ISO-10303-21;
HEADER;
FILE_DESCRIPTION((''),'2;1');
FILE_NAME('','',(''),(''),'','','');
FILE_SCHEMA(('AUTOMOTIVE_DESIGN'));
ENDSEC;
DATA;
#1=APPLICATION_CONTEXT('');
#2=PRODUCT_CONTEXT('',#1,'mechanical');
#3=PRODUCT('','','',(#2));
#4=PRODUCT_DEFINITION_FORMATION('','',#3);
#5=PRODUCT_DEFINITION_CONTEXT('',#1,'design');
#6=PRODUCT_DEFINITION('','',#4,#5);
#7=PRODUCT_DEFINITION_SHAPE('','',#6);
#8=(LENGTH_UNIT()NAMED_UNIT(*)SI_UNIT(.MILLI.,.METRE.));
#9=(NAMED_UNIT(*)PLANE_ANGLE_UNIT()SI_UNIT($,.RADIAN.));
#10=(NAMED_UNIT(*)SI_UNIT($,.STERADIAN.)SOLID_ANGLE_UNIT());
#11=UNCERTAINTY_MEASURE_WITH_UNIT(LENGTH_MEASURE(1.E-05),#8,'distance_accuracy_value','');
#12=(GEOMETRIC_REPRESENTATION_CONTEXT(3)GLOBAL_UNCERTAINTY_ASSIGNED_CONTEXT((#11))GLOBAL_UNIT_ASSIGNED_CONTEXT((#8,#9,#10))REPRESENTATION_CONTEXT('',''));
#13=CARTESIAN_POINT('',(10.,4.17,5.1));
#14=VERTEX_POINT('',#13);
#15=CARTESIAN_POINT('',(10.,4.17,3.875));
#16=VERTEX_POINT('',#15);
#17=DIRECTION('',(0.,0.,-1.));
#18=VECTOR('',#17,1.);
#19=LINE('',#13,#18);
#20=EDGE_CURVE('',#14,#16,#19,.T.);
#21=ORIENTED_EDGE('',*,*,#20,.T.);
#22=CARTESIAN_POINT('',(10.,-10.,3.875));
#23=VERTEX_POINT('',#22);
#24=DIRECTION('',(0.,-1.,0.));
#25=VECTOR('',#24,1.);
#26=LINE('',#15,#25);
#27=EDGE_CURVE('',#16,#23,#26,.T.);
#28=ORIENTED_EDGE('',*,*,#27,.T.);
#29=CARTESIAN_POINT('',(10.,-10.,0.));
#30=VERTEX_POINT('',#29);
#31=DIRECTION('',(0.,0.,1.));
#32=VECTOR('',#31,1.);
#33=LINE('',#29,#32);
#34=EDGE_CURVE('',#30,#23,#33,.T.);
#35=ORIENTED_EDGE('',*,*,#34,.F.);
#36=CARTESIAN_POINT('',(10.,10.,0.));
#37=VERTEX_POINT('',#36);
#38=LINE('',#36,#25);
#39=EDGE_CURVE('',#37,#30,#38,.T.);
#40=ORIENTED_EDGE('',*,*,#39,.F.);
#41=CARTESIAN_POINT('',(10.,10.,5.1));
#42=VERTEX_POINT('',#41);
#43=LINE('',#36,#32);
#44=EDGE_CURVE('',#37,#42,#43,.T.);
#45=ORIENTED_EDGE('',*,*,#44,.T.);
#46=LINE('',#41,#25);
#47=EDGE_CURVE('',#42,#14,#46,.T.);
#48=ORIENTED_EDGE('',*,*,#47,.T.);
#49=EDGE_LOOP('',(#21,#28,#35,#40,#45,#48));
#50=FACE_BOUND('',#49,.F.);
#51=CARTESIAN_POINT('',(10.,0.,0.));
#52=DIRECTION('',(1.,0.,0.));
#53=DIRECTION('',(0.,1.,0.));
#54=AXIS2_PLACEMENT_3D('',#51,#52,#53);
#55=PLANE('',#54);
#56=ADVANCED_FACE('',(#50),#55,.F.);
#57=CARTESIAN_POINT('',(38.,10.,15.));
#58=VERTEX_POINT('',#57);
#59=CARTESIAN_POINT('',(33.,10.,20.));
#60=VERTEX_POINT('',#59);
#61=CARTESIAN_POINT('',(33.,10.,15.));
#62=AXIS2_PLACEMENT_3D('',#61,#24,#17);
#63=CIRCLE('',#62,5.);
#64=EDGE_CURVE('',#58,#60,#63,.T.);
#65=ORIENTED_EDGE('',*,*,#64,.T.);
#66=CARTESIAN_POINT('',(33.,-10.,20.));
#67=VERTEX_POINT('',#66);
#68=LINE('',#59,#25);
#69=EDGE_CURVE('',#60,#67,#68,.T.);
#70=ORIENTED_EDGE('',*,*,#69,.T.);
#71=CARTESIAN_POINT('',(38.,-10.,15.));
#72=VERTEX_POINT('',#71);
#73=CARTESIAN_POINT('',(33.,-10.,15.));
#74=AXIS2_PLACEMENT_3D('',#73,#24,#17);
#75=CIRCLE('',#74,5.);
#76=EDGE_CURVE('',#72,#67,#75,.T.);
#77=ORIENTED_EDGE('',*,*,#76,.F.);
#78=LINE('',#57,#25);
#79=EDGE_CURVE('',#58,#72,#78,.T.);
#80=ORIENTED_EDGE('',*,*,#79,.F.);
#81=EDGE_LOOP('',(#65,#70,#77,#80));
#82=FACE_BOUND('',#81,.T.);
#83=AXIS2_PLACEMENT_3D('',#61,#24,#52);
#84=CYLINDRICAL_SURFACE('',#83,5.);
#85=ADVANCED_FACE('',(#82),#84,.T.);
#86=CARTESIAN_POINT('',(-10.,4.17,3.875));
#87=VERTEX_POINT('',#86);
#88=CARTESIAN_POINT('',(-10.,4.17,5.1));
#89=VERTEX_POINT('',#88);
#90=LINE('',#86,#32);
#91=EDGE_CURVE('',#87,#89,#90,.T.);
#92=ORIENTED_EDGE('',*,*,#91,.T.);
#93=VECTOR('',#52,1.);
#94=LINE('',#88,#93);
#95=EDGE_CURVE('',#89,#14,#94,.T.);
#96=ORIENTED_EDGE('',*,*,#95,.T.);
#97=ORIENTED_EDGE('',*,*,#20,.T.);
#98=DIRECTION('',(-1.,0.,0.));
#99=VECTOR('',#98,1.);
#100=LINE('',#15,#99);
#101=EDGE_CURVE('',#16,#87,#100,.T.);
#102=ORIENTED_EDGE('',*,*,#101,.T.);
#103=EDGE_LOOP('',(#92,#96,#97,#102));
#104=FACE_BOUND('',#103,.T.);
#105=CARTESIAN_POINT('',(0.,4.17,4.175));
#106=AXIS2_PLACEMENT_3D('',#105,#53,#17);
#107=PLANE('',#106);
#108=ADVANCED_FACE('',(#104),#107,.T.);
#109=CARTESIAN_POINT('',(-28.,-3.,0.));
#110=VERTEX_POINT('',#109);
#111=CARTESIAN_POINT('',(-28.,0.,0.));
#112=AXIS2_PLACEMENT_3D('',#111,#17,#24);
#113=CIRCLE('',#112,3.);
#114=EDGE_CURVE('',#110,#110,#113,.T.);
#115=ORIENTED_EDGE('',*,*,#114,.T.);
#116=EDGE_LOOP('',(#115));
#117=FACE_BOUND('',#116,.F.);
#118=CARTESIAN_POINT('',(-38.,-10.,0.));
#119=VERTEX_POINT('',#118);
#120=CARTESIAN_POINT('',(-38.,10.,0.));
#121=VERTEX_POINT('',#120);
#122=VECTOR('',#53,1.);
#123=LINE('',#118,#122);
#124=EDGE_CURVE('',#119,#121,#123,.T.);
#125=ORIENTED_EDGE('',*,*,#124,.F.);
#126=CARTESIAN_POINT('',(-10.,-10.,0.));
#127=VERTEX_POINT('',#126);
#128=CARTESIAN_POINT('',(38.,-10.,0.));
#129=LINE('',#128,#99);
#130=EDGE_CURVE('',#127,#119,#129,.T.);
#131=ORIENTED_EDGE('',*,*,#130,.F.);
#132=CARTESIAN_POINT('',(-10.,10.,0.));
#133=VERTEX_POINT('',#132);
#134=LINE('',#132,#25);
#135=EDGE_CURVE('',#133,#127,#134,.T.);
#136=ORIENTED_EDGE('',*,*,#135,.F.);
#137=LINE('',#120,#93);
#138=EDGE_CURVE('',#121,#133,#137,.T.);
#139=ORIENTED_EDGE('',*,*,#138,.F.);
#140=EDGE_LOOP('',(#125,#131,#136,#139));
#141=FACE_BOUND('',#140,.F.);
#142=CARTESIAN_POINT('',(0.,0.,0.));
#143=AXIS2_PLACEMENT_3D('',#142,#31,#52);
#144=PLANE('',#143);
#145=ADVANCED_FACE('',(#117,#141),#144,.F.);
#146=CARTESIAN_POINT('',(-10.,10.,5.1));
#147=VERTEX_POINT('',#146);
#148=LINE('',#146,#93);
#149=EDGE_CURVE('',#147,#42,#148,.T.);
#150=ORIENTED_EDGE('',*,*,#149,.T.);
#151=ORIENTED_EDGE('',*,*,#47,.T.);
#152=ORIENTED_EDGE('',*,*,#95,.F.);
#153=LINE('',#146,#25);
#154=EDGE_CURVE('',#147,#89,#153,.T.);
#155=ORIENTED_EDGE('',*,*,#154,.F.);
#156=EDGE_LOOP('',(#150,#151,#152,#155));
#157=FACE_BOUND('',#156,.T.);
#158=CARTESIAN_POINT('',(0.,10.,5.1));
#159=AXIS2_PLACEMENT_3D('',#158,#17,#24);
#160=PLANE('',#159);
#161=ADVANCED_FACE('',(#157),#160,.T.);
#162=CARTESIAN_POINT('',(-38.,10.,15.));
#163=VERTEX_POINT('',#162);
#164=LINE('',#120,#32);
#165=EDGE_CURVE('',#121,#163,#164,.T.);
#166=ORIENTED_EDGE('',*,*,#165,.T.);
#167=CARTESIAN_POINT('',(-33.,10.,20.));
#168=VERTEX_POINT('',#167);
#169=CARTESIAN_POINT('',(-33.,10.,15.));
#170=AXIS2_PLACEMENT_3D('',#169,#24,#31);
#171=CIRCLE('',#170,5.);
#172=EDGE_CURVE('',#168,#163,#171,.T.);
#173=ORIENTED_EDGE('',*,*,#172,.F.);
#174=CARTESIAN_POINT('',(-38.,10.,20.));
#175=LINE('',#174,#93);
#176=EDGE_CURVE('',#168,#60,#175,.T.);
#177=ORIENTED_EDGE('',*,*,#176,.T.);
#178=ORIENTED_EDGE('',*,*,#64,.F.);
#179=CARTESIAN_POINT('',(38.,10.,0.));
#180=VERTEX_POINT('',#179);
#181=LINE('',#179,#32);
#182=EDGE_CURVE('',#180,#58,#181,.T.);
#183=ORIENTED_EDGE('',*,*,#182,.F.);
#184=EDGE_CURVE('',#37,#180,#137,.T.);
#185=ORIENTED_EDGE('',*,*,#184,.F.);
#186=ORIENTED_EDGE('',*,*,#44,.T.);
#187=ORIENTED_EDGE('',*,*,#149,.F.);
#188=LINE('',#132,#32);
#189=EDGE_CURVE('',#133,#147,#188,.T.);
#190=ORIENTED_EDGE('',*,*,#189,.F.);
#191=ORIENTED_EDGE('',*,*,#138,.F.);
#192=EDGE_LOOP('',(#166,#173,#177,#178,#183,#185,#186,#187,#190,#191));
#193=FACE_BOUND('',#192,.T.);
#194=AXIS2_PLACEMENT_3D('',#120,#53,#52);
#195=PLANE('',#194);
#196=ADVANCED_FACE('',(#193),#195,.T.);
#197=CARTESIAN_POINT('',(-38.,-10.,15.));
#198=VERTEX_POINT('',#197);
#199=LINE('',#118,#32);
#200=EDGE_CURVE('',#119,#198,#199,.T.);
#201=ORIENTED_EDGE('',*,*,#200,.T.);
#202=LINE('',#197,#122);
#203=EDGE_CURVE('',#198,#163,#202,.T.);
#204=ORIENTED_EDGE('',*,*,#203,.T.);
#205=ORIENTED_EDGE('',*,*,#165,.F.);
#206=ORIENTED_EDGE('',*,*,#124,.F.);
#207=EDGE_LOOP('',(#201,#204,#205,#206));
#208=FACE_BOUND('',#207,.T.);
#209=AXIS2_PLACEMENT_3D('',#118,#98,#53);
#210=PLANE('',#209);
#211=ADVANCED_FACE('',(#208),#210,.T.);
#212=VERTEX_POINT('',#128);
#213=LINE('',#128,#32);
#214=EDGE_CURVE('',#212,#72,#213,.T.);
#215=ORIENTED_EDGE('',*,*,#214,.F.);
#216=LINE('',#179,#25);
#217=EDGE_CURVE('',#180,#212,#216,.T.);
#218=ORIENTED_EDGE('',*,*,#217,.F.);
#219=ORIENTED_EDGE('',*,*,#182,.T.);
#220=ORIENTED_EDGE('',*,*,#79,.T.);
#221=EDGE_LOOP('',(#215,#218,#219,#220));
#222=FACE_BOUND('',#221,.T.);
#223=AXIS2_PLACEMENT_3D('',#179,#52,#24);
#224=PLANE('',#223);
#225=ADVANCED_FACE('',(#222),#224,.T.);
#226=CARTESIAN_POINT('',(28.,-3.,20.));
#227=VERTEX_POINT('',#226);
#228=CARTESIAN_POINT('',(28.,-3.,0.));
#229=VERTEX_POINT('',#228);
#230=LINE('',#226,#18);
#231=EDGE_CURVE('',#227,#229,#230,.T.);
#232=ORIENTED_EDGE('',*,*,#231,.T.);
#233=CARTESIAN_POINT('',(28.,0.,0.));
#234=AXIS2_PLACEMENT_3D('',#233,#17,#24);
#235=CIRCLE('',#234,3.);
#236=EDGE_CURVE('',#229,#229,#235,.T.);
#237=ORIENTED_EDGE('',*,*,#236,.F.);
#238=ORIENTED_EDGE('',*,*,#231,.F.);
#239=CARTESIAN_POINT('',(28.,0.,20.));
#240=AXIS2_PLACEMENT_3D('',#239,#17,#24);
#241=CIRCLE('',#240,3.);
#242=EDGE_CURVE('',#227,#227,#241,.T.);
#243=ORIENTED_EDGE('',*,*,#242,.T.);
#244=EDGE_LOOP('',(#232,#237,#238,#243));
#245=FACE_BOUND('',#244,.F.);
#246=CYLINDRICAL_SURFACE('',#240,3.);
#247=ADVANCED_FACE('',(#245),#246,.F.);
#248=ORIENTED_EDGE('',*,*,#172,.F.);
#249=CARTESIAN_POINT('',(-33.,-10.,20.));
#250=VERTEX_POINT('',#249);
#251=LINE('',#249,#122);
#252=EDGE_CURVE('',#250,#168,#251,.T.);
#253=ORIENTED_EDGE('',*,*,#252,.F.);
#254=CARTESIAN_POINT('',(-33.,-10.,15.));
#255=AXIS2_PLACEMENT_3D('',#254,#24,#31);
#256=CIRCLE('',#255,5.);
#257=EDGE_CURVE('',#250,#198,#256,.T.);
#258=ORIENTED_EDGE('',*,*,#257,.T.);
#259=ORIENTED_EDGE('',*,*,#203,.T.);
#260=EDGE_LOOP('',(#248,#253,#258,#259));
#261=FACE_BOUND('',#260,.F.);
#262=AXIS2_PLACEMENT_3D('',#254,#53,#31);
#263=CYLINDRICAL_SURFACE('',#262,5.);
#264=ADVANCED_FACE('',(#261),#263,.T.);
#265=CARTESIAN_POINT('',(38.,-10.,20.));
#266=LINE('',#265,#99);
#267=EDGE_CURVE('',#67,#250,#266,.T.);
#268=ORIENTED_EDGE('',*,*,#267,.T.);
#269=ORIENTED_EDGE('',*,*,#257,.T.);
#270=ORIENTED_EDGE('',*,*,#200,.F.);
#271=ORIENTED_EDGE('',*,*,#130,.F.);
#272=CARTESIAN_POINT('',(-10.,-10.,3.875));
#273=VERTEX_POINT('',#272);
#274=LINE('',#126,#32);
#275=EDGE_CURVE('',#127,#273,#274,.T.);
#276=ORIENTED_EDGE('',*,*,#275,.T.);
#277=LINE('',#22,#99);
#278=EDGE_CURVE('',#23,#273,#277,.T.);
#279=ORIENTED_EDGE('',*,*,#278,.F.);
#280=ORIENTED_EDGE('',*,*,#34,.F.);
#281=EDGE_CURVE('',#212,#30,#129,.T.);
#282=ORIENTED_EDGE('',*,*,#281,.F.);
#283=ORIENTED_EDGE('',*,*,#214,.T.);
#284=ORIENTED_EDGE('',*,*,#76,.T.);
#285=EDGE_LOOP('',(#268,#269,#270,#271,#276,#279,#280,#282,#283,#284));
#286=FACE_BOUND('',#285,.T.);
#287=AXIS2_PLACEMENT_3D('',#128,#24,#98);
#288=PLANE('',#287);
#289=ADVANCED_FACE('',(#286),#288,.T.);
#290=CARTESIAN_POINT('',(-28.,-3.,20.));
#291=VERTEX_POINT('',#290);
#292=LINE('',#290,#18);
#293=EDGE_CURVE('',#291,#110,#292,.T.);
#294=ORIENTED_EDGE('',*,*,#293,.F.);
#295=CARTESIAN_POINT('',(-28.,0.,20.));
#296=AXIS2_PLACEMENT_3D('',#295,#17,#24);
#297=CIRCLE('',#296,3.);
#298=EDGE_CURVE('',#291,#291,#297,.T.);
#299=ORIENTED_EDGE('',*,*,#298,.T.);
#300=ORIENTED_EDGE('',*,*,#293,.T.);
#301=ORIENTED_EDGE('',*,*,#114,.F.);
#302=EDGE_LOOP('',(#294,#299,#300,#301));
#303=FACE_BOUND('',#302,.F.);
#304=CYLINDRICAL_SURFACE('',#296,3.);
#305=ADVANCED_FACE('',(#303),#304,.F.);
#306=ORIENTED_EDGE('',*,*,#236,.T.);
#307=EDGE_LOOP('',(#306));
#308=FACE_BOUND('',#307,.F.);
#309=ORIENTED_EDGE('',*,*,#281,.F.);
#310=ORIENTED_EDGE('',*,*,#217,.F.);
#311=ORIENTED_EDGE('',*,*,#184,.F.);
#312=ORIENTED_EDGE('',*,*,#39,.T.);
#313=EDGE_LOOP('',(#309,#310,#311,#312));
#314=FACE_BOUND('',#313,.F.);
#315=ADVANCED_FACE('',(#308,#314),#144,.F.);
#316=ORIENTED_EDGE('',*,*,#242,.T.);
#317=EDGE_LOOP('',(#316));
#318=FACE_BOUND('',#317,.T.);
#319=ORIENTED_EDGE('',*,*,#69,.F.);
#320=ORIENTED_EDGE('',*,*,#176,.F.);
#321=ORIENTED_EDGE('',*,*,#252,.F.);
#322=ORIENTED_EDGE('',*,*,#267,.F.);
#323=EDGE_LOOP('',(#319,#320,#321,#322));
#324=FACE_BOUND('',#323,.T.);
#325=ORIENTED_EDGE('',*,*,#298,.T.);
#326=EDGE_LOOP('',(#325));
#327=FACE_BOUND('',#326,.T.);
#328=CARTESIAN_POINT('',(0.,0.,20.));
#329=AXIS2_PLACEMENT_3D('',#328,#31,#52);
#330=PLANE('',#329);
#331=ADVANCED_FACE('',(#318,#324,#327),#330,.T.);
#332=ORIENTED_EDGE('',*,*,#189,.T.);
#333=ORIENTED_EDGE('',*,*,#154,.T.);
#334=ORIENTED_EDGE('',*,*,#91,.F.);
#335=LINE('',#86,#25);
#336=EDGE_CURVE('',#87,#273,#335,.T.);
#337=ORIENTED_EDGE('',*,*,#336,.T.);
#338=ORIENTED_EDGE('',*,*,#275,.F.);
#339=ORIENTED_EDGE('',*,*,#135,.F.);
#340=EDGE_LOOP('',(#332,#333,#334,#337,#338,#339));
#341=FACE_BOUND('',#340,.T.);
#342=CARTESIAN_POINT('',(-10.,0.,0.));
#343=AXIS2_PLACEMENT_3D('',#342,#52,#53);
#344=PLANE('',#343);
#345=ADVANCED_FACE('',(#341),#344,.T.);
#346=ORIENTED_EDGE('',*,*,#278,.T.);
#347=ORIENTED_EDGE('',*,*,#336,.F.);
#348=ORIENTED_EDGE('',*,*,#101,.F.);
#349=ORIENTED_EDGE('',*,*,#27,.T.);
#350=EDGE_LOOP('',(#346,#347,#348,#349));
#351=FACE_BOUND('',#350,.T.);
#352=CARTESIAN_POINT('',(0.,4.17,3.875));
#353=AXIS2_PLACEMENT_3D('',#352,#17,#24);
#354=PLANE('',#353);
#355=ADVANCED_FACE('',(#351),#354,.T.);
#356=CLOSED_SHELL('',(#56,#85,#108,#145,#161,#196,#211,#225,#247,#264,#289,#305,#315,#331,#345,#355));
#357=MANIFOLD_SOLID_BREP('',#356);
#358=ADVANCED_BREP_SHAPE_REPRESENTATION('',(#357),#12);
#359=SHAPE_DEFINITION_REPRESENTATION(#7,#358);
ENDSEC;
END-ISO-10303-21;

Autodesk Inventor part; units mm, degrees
ref_plane "YZ Plane" through (0, 0, 0) normal (1, 0, 0) x (0, 1, 0)
ref_plane "XZ Plane" through (0, 0, 0) normal (0, 1, 0) x (-1, 0, 0)
ref_plane "XY Plane" through (0, 0, 0) normal (0, 0, 1) x (1, 0, 0)
sketch "Sketch1" plane through (0, 0, 0) normal (0, 0, 1) x (1, 0, 0)
  line L0 (-38, 10) -> (38, 10)
  line L1 (38, 10) -> (38, -10)
  line L2 (38, -10) -> (-38, -10)
  line L3 (-38, -10) -> (-38, 10)
  point P0 (0, 0)
  point P1 (-38, 0)
  point P2 (0, 10)
  dimension "d0" = 76
  dimension "d1" = 20
extrude "Extrusion1" add sketch "Sketch1" along normal blind 20
sketch "Sketch6" plane through (0, 0, 0) normal (1, 0, 0) x (0, 1, 0)
  line L0 (12, 5.4) -> (4.47, 5.4)
  line L1 (4.47, 4.175) -> (-0.23, 4.175) projected
  line L2 (10, 0) -> (10, 20) projected
  line L3 (-10, 0) -> (-10, 20) projected
  line L4 (10, 5.1) -> (4.17, 5.1)
  line L5 (4.17, 5.1) -> (4.17, 3.875)
  line L6 (4.17, 3.875) -> (-10, 3.875)
  line L7 (10, 0) -> (-10, 0) projected
  point P0 (0, 0)
  point P1 (4.17, 0)
  dimension "d16" = 0.3
  dimension "d17" = 0.3
  dimension "d18" = 0.3
extrude "Extrusion5" cut sketch "Sketch6" along normal mid plane 20
sketch "Sketch7" plane through (0, 0, 20) normal (0, 0, 1) x (1, 0, 0)
  line L0 (-38, 10) -> (-38, -10) projected
  line L1 (38, -10) -> (38, 10) projected
  point P0 (0, 0)
  point P1 (28, 0)
  point P2 (-28, 0)
  dimension "d21" = 10
  dimension "d22" = 10
hole "Hole1" at (-28, 0, 20) at (28, 0, 20) direction (0, 0, -1) diameter 6 end through all
fillet "Fillet3" radius 5 2 edges at (-38, 0, 20) (38, 0, 20)
equation "\"d22\" = d21"
properties part number "0008-30-013"
